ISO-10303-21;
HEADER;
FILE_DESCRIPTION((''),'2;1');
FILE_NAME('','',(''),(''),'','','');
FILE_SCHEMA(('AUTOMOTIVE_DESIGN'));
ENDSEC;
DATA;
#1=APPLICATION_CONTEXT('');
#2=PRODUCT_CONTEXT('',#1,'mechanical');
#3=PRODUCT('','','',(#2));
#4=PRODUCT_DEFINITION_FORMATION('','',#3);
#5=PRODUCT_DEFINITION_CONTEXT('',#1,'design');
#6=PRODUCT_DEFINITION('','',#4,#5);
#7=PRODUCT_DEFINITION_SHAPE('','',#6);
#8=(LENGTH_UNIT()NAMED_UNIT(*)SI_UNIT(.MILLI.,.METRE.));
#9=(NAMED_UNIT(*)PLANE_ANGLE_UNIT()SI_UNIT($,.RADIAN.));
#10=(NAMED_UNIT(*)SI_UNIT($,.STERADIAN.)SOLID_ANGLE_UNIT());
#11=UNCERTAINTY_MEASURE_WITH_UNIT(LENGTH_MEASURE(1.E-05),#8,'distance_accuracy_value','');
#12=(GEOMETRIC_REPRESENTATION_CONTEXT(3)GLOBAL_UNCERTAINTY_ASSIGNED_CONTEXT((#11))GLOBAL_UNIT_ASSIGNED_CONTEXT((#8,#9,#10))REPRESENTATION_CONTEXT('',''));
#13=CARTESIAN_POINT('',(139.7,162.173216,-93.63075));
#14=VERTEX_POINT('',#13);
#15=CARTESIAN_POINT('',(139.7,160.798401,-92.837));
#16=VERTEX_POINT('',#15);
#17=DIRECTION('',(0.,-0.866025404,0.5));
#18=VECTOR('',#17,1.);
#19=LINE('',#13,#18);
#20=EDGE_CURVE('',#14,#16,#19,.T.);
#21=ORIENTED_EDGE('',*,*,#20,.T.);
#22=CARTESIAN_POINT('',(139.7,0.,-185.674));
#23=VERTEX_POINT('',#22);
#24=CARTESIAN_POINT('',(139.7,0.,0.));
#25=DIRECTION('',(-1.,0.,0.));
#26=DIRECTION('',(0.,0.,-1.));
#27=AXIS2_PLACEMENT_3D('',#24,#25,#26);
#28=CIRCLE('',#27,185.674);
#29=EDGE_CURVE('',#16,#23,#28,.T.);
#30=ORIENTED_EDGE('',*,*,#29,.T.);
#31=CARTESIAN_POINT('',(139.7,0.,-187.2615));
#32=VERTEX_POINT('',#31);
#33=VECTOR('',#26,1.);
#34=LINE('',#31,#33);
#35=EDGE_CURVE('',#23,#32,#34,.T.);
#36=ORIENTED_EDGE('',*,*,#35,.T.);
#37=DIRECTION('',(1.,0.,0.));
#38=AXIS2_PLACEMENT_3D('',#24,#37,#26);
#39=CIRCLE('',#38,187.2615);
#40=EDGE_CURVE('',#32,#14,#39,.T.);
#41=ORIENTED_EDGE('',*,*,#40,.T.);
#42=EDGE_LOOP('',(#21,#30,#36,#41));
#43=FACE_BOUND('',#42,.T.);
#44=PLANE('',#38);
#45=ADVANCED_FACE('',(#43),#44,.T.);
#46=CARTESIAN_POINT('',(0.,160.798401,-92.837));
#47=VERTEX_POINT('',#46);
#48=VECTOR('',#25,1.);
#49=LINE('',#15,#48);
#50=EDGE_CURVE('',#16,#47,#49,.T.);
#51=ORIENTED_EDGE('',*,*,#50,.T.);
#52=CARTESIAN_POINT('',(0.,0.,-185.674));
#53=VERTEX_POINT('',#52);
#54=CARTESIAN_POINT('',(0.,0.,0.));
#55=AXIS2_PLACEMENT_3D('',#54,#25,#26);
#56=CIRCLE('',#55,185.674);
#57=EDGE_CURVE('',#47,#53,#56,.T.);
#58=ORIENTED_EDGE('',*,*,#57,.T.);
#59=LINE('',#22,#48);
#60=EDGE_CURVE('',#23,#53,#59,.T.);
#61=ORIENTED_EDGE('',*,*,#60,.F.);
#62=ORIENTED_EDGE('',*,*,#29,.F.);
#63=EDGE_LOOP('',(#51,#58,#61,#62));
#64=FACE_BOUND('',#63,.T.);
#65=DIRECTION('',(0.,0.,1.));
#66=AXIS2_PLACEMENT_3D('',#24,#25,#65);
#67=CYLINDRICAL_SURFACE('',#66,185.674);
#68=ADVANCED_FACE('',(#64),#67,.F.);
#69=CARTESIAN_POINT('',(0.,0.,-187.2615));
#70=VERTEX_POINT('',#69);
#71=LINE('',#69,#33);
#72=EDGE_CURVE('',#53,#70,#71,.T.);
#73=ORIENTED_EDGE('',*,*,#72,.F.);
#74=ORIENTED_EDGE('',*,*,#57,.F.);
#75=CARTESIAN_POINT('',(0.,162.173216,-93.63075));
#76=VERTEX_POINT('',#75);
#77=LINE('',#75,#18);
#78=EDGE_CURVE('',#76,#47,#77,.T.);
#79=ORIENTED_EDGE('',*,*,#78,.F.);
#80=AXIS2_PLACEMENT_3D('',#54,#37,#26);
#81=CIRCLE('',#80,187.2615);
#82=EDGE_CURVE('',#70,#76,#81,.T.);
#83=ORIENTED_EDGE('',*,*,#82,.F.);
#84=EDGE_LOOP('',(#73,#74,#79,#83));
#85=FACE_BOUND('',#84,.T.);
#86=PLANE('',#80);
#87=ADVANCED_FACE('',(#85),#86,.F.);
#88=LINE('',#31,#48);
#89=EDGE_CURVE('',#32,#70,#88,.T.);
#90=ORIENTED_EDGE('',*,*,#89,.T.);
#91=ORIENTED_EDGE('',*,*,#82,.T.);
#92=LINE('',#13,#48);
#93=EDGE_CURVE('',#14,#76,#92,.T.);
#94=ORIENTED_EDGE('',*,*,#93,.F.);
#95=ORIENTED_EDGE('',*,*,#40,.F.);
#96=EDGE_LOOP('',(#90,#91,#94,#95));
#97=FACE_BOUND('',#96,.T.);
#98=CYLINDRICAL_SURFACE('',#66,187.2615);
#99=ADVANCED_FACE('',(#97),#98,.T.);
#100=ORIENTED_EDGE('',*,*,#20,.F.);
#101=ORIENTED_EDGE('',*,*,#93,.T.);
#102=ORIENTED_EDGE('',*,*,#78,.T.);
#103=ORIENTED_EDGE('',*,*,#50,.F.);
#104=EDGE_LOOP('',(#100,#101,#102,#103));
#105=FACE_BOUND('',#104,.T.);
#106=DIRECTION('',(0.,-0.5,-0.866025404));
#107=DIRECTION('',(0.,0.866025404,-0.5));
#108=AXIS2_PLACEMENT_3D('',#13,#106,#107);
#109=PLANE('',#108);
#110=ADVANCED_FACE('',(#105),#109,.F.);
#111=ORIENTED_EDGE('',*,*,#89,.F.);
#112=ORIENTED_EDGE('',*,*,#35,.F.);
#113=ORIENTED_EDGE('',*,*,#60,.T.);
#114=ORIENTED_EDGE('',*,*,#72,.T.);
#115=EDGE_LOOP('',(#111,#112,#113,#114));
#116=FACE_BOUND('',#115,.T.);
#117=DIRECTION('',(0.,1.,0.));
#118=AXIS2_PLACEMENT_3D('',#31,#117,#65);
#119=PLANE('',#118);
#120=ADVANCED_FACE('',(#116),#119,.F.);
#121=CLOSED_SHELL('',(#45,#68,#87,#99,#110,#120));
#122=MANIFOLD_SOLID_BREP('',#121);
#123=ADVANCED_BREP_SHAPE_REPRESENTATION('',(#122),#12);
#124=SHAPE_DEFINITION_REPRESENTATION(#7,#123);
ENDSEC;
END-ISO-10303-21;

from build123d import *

# Parameters (mm, degrees)
BOSS_EXTRUDE1_DEPTH = 139.7


with BuildPart() as part:
    # Sketch1 → Boss-Extrude1 (new body)
    with BuildSketch(Plane(origin=(0, 0, 0), x_dir=(0, 0, -1), z_dir=(1, 0, 0))):
        with BuildLine():
            Line((93.63075, 162.173216151), (92.837, 160.798400822))
            ThreePointArc((92.837, 160.798400822), (160.798400822, 92.837), (185.674, 0))
            Line((185.674, 0), (187.2615, 0))
            ThreePointArc((187.2615, 0), (162.173216151, 93.63075), (93.63075, 162.173216151))
        make_face()
    extrude(amount=BOSS_EXTRUDE1_DEPTH)


solid = part.part
